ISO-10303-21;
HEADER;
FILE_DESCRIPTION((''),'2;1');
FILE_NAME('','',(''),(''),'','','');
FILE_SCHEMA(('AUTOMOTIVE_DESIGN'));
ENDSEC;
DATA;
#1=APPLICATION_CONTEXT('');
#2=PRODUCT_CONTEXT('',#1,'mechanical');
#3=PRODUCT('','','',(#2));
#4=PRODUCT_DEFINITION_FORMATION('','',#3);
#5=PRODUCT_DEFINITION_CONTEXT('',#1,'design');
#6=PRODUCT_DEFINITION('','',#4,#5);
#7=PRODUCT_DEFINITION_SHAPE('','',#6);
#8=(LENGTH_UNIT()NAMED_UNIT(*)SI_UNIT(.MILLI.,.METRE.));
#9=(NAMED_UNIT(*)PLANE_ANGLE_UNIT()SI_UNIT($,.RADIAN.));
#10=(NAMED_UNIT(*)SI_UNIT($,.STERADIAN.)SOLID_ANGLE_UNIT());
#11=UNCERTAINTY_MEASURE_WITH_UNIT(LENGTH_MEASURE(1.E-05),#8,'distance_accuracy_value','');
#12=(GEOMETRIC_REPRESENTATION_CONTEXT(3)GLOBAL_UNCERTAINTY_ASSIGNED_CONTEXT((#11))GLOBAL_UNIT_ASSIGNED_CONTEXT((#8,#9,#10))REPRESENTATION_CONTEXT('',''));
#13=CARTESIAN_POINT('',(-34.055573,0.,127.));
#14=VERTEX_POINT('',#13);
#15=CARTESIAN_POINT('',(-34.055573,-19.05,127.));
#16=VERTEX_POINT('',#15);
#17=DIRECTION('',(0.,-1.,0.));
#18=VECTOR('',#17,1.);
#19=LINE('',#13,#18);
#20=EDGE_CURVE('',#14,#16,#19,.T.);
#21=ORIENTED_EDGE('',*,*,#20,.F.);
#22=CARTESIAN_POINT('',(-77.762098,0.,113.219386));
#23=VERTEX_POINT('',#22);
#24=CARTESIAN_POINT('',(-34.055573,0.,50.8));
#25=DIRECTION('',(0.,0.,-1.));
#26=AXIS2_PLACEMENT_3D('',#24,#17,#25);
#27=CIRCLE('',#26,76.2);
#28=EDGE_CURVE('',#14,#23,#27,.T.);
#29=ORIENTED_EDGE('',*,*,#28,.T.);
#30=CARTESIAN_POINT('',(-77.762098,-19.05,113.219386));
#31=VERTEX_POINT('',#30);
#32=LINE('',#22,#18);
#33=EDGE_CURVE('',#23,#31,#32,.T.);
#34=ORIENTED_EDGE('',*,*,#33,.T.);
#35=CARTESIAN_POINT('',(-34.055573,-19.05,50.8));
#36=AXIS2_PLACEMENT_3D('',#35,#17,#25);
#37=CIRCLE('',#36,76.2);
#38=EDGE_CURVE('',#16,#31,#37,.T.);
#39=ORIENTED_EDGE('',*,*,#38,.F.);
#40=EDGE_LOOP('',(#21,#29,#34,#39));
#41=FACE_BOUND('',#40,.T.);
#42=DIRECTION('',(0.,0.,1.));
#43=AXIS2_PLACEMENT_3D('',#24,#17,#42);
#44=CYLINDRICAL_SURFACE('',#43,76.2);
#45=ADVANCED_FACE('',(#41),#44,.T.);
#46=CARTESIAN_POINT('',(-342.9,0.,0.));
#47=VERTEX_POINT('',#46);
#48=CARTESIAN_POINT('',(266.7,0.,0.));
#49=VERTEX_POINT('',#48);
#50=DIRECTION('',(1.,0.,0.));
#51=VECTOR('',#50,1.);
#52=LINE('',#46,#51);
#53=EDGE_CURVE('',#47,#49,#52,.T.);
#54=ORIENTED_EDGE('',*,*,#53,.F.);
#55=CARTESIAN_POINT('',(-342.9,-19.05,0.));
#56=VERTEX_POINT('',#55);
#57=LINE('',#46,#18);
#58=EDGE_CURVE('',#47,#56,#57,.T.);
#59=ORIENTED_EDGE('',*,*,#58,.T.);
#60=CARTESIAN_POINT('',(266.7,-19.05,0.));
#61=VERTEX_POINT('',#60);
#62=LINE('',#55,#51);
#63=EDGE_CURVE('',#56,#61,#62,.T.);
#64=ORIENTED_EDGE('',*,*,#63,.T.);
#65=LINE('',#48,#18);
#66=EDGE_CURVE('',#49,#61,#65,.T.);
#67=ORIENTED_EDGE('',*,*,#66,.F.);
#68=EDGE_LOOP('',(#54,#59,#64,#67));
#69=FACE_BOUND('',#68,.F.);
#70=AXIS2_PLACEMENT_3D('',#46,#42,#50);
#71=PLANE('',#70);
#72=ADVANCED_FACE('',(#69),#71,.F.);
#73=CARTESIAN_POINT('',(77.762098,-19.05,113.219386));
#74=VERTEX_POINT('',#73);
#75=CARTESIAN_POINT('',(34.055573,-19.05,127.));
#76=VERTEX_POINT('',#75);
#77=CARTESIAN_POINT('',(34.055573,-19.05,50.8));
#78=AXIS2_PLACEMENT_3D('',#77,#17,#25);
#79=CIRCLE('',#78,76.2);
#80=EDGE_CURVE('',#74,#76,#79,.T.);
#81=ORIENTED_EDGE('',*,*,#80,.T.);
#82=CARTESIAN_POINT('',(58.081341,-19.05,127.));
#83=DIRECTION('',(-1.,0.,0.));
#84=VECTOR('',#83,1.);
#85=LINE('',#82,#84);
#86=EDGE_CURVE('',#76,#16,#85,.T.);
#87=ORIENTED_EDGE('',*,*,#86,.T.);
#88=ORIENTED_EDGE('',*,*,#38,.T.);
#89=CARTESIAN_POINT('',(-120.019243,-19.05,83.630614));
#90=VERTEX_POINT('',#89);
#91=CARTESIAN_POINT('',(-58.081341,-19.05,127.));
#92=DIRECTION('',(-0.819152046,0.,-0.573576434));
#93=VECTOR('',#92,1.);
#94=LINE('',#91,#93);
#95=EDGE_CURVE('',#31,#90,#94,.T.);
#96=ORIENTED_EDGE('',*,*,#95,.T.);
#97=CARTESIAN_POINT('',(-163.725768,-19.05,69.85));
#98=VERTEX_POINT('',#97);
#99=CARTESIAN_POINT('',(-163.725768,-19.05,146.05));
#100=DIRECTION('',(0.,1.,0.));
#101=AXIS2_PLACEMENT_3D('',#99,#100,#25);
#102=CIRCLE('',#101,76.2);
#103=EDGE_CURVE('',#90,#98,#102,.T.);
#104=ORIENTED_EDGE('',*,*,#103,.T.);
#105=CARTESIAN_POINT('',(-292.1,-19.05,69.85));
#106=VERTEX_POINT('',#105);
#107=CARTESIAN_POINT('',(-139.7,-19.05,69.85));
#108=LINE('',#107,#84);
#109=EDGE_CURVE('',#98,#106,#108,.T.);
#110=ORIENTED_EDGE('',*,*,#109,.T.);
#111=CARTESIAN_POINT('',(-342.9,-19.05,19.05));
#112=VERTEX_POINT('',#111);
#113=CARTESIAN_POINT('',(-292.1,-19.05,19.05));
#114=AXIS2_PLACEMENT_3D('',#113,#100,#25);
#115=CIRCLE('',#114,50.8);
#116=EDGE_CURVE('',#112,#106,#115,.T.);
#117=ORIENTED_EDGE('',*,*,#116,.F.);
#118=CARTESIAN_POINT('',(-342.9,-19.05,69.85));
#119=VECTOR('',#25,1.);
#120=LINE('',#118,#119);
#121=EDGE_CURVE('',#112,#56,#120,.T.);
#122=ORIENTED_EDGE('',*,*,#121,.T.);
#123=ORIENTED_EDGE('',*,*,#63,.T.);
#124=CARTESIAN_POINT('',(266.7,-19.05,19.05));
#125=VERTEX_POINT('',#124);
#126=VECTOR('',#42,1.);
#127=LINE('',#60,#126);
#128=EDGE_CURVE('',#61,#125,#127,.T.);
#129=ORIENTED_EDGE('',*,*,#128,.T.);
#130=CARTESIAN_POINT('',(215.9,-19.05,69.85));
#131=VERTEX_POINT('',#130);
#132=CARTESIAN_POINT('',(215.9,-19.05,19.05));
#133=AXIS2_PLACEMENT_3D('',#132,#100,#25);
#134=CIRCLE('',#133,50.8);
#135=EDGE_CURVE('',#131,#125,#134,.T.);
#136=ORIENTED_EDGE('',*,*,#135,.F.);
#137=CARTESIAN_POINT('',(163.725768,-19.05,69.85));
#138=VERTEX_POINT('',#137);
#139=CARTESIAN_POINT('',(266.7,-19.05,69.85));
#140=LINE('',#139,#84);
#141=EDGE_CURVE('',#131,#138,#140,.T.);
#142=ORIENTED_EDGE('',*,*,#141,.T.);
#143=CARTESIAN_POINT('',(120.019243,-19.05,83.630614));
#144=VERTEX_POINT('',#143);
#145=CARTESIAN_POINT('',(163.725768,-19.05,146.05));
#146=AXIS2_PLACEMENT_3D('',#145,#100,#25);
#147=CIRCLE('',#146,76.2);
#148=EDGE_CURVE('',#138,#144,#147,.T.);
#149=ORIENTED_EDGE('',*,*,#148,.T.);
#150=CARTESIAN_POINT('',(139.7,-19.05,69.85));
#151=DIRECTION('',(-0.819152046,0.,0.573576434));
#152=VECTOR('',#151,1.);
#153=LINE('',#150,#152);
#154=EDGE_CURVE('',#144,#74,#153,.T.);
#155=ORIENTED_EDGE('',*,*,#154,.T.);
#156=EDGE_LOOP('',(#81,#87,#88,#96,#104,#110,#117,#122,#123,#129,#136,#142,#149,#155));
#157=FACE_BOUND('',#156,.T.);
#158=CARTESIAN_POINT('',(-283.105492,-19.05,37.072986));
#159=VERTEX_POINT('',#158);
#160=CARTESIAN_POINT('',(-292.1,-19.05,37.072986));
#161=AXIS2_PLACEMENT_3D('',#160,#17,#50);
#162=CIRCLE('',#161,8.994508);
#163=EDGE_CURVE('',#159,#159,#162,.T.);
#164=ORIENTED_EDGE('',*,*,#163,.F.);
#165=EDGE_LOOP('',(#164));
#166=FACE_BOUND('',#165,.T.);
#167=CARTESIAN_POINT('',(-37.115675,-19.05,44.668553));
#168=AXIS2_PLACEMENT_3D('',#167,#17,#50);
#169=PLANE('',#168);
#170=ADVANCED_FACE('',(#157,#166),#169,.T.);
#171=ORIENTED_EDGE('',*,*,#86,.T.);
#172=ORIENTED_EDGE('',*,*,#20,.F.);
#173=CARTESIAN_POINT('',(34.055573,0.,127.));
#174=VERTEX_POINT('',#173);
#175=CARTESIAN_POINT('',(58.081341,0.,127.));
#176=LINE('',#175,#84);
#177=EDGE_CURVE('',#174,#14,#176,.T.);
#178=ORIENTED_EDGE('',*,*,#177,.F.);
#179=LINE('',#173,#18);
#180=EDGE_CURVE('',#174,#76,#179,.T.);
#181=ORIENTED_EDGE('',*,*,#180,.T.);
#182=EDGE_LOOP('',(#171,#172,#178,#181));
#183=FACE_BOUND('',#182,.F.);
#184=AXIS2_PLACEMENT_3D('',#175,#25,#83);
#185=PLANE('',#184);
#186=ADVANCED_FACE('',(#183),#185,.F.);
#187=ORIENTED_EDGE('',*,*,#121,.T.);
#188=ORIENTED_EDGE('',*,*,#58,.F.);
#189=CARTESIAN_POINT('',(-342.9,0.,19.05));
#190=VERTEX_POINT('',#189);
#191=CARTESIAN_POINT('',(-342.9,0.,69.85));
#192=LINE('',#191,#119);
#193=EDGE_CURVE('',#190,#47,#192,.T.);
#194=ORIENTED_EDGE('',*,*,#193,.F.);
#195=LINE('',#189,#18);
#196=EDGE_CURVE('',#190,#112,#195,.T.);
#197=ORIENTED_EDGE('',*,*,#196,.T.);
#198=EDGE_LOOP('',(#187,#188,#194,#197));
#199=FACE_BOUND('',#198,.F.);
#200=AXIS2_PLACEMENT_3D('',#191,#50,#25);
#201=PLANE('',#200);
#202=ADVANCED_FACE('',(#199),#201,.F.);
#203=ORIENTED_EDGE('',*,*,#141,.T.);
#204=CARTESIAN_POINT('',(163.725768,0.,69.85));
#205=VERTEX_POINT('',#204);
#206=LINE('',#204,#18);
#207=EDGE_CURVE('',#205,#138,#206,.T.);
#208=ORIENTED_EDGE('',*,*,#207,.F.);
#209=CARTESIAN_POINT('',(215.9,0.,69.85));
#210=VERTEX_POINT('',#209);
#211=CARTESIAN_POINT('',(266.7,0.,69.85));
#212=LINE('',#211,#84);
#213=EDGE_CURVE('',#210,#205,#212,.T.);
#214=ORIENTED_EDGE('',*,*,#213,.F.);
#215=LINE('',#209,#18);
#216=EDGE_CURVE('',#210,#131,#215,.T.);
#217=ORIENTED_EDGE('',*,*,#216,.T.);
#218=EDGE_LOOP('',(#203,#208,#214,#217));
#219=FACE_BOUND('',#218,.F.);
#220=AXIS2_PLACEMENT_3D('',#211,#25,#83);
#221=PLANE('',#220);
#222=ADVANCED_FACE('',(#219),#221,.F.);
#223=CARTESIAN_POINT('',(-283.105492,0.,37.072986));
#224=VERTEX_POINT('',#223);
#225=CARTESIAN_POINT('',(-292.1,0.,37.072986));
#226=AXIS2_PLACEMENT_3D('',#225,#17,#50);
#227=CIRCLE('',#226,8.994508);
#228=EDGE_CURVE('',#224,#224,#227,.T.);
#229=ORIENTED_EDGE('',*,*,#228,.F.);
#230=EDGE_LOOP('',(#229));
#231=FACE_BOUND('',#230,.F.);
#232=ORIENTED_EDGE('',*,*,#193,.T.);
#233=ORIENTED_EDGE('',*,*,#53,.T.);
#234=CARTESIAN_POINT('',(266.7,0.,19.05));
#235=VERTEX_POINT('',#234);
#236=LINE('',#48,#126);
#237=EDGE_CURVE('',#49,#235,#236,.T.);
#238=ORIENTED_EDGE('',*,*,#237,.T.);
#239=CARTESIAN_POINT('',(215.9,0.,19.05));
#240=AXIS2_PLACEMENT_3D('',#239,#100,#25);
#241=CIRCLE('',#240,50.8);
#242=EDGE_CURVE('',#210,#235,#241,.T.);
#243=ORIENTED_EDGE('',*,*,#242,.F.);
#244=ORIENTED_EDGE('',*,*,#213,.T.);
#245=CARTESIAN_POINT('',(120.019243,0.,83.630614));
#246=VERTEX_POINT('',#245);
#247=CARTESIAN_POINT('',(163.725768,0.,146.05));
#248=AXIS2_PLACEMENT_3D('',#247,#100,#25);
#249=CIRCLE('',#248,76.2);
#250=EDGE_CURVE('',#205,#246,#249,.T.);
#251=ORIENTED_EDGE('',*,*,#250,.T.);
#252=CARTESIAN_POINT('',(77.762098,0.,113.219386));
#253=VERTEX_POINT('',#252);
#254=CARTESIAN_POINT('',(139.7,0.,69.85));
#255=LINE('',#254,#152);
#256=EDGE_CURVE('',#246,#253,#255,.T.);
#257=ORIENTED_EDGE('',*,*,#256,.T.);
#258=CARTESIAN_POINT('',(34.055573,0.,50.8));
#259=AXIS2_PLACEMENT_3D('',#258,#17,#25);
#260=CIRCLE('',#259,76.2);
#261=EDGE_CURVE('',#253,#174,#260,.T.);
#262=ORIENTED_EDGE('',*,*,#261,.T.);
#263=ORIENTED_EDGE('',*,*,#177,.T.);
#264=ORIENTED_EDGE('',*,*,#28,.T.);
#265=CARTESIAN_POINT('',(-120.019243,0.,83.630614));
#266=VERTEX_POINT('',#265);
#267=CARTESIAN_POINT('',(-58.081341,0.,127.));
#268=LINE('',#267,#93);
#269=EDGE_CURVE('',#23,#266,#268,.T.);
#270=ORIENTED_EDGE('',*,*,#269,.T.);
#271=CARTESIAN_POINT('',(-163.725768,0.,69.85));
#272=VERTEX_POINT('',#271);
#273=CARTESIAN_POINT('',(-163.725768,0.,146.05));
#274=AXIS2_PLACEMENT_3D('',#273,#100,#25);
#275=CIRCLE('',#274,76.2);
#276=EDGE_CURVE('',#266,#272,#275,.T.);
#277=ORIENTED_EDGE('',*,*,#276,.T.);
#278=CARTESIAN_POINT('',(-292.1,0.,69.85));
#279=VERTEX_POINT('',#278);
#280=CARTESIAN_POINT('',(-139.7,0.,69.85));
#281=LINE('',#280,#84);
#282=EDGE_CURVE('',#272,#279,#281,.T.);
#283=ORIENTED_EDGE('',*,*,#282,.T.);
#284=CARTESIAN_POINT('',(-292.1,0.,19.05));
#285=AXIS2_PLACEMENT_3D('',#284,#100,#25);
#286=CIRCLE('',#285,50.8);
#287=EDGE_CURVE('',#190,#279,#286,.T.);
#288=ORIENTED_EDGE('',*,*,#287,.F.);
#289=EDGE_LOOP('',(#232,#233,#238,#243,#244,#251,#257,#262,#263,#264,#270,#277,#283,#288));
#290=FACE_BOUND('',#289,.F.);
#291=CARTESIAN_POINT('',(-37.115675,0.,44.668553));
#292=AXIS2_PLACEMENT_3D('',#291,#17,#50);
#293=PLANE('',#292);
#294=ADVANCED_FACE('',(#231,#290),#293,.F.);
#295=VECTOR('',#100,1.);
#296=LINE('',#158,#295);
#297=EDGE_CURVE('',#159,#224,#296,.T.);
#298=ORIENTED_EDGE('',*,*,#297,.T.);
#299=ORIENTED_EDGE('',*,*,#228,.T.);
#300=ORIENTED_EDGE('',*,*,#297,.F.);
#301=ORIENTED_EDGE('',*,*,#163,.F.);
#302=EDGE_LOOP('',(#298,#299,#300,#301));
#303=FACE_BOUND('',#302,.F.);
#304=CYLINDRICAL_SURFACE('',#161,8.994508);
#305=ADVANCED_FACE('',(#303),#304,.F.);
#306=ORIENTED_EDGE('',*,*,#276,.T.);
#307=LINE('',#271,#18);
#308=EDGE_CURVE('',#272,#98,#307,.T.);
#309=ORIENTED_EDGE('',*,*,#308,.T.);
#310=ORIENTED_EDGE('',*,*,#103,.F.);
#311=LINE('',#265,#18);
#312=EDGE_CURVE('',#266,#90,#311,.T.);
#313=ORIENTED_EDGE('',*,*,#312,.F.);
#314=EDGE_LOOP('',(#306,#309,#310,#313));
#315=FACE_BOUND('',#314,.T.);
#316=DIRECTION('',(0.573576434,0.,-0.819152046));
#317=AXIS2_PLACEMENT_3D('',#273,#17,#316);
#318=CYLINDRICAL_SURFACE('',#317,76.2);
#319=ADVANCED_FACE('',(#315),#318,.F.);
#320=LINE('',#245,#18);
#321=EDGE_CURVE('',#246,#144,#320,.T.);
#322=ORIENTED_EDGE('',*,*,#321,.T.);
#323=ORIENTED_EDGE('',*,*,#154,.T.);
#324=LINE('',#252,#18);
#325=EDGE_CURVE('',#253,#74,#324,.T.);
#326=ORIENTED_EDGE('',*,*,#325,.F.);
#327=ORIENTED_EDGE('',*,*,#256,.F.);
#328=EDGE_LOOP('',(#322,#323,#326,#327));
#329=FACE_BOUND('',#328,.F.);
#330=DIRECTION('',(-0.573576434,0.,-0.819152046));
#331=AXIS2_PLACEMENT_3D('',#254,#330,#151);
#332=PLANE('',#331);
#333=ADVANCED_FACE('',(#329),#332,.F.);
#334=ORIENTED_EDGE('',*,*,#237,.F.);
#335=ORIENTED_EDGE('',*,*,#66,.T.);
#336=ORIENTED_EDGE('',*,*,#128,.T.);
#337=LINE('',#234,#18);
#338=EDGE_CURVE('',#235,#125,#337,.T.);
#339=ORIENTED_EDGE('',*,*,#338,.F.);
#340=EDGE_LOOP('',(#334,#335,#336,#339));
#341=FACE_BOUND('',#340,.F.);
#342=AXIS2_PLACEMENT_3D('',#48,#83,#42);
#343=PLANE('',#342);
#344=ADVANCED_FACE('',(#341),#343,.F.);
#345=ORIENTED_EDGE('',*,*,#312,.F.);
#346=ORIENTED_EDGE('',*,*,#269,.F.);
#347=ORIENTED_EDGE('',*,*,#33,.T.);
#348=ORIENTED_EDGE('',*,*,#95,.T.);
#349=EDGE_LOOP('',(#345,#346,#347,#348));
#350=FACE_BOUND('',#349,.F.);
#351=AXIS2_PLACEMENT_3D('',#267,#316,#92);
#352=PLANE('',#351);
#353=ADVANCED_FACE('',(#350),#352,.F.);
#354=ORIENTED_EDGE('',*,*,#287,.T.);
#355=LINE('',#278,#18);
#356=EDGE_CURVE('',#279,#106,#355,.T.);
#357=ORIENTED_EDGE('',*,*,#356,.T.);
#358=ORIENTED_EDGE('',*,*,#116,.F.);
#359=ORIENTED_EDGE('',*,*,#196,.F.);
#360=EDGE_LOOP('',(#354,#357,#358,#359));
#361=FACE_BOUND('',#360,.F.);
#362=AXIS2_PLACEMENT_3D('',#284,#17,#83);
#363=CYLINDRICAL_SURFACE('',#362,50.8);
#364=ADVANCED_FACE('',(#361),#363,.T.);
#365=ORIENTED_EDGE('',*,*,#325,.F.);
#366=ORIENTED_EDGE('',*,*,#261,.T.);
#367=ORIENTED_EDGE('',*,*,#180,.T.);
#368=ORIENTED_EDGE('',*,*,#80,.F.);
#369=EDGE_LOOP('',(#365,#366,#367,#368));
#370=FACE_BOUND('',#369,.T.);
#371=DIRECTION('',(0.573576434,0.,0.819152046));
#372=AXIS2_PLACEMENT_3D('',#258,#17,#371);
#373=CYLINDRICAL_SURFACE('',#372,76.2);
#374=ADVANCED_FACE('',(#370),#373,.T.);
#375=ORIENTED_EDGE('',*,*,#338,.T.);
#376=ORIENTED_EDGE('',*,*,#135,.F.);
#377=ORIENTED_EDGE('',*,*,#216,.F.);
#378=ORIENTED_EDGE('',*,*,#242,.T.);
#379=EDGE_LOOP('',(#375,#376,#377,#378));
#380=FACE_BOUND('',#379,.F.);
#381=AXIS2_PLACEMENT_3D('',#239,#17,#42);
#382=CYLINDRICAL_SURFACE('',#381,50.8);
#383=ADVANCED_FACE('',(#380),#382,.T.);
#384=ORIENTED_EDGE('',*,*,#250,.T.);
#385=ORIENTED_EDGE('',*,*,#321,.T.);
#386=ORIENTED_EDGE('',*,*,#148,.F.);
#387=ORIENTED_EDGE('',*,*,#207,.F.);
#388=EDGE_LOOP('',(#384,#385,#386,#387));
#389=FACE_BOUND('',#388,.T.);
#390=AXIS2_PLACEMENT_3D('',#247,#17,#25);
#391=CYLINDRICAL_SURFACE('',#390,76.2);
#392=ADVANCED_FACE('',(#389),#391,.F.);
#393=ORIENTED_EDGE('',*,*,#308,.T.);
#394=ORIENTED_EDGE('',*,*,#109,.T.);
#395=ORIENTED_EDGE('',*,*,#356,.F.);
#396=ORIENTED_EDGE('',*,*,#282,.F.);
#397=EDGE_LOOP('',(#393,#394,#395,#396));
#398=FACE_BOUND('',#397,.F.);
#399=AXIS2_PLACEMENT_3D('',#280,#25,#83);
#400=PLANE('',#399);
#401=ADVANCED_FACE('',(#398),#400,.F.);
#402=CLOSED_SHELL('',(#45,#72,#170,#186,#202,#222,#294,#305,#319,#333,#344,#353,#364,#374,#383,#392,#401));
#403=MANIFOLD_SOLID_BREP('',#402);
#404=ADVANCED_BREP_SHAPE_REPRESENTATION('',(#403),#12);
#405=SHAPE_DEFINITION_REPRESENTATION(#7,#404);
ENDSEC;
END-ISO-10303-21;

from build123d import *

# Parameters (mm, degrees)
F1_DEPTH = 19.05
F2_R     = 76.2
F3_R     = 50.8
F4_R     = 8.994508
F5_DEPTH = 25.4


with BuildPart() as f1:
    # F0 (on Front) → F1 (new body)
    with BuildSketch(Plane.XZ):
        Polygon((-342.9, 69.85), (-342.9, 0), (266.7, 0), (266.7, 69.85), (139.7, 69.85), (58.081341, 127), (-58.081341, 127), (-139.7, 69.85), align=None)
    extrude(amount=F1_DEPTH)

    # F2
    f2_edges = [f1.edges().sort_by_distance(p)[0] for p in [
        (139.7, -9.525, 69.85),
        (58.081341, -9.525, 127),
        (-58.081341, -9.525, 127),
        (-139.7, -9.525, 69.85),
    ]]
    fillet(f2_edges, radius=F2_R)

    # F3
    f3_edges = [f1.edges().sort_by_distance(p)[0] for p in [
        (266.7, -9.525, 69.85),
        (-342.9, -9.525, 69.85),
    ]]
    fillet(f3_edges, radius=F3_R)

    # F4 (on face) → F5 (cut)
    with BuildSketch(Plane.XZ.offset(19.05)):
        with Locations((-292.1, 37.072986)):
            Circle(F4_R)
    extrude(amount=-F5_DEPTH, mode=Mode.SUBTRACT)


solid = f1.part
